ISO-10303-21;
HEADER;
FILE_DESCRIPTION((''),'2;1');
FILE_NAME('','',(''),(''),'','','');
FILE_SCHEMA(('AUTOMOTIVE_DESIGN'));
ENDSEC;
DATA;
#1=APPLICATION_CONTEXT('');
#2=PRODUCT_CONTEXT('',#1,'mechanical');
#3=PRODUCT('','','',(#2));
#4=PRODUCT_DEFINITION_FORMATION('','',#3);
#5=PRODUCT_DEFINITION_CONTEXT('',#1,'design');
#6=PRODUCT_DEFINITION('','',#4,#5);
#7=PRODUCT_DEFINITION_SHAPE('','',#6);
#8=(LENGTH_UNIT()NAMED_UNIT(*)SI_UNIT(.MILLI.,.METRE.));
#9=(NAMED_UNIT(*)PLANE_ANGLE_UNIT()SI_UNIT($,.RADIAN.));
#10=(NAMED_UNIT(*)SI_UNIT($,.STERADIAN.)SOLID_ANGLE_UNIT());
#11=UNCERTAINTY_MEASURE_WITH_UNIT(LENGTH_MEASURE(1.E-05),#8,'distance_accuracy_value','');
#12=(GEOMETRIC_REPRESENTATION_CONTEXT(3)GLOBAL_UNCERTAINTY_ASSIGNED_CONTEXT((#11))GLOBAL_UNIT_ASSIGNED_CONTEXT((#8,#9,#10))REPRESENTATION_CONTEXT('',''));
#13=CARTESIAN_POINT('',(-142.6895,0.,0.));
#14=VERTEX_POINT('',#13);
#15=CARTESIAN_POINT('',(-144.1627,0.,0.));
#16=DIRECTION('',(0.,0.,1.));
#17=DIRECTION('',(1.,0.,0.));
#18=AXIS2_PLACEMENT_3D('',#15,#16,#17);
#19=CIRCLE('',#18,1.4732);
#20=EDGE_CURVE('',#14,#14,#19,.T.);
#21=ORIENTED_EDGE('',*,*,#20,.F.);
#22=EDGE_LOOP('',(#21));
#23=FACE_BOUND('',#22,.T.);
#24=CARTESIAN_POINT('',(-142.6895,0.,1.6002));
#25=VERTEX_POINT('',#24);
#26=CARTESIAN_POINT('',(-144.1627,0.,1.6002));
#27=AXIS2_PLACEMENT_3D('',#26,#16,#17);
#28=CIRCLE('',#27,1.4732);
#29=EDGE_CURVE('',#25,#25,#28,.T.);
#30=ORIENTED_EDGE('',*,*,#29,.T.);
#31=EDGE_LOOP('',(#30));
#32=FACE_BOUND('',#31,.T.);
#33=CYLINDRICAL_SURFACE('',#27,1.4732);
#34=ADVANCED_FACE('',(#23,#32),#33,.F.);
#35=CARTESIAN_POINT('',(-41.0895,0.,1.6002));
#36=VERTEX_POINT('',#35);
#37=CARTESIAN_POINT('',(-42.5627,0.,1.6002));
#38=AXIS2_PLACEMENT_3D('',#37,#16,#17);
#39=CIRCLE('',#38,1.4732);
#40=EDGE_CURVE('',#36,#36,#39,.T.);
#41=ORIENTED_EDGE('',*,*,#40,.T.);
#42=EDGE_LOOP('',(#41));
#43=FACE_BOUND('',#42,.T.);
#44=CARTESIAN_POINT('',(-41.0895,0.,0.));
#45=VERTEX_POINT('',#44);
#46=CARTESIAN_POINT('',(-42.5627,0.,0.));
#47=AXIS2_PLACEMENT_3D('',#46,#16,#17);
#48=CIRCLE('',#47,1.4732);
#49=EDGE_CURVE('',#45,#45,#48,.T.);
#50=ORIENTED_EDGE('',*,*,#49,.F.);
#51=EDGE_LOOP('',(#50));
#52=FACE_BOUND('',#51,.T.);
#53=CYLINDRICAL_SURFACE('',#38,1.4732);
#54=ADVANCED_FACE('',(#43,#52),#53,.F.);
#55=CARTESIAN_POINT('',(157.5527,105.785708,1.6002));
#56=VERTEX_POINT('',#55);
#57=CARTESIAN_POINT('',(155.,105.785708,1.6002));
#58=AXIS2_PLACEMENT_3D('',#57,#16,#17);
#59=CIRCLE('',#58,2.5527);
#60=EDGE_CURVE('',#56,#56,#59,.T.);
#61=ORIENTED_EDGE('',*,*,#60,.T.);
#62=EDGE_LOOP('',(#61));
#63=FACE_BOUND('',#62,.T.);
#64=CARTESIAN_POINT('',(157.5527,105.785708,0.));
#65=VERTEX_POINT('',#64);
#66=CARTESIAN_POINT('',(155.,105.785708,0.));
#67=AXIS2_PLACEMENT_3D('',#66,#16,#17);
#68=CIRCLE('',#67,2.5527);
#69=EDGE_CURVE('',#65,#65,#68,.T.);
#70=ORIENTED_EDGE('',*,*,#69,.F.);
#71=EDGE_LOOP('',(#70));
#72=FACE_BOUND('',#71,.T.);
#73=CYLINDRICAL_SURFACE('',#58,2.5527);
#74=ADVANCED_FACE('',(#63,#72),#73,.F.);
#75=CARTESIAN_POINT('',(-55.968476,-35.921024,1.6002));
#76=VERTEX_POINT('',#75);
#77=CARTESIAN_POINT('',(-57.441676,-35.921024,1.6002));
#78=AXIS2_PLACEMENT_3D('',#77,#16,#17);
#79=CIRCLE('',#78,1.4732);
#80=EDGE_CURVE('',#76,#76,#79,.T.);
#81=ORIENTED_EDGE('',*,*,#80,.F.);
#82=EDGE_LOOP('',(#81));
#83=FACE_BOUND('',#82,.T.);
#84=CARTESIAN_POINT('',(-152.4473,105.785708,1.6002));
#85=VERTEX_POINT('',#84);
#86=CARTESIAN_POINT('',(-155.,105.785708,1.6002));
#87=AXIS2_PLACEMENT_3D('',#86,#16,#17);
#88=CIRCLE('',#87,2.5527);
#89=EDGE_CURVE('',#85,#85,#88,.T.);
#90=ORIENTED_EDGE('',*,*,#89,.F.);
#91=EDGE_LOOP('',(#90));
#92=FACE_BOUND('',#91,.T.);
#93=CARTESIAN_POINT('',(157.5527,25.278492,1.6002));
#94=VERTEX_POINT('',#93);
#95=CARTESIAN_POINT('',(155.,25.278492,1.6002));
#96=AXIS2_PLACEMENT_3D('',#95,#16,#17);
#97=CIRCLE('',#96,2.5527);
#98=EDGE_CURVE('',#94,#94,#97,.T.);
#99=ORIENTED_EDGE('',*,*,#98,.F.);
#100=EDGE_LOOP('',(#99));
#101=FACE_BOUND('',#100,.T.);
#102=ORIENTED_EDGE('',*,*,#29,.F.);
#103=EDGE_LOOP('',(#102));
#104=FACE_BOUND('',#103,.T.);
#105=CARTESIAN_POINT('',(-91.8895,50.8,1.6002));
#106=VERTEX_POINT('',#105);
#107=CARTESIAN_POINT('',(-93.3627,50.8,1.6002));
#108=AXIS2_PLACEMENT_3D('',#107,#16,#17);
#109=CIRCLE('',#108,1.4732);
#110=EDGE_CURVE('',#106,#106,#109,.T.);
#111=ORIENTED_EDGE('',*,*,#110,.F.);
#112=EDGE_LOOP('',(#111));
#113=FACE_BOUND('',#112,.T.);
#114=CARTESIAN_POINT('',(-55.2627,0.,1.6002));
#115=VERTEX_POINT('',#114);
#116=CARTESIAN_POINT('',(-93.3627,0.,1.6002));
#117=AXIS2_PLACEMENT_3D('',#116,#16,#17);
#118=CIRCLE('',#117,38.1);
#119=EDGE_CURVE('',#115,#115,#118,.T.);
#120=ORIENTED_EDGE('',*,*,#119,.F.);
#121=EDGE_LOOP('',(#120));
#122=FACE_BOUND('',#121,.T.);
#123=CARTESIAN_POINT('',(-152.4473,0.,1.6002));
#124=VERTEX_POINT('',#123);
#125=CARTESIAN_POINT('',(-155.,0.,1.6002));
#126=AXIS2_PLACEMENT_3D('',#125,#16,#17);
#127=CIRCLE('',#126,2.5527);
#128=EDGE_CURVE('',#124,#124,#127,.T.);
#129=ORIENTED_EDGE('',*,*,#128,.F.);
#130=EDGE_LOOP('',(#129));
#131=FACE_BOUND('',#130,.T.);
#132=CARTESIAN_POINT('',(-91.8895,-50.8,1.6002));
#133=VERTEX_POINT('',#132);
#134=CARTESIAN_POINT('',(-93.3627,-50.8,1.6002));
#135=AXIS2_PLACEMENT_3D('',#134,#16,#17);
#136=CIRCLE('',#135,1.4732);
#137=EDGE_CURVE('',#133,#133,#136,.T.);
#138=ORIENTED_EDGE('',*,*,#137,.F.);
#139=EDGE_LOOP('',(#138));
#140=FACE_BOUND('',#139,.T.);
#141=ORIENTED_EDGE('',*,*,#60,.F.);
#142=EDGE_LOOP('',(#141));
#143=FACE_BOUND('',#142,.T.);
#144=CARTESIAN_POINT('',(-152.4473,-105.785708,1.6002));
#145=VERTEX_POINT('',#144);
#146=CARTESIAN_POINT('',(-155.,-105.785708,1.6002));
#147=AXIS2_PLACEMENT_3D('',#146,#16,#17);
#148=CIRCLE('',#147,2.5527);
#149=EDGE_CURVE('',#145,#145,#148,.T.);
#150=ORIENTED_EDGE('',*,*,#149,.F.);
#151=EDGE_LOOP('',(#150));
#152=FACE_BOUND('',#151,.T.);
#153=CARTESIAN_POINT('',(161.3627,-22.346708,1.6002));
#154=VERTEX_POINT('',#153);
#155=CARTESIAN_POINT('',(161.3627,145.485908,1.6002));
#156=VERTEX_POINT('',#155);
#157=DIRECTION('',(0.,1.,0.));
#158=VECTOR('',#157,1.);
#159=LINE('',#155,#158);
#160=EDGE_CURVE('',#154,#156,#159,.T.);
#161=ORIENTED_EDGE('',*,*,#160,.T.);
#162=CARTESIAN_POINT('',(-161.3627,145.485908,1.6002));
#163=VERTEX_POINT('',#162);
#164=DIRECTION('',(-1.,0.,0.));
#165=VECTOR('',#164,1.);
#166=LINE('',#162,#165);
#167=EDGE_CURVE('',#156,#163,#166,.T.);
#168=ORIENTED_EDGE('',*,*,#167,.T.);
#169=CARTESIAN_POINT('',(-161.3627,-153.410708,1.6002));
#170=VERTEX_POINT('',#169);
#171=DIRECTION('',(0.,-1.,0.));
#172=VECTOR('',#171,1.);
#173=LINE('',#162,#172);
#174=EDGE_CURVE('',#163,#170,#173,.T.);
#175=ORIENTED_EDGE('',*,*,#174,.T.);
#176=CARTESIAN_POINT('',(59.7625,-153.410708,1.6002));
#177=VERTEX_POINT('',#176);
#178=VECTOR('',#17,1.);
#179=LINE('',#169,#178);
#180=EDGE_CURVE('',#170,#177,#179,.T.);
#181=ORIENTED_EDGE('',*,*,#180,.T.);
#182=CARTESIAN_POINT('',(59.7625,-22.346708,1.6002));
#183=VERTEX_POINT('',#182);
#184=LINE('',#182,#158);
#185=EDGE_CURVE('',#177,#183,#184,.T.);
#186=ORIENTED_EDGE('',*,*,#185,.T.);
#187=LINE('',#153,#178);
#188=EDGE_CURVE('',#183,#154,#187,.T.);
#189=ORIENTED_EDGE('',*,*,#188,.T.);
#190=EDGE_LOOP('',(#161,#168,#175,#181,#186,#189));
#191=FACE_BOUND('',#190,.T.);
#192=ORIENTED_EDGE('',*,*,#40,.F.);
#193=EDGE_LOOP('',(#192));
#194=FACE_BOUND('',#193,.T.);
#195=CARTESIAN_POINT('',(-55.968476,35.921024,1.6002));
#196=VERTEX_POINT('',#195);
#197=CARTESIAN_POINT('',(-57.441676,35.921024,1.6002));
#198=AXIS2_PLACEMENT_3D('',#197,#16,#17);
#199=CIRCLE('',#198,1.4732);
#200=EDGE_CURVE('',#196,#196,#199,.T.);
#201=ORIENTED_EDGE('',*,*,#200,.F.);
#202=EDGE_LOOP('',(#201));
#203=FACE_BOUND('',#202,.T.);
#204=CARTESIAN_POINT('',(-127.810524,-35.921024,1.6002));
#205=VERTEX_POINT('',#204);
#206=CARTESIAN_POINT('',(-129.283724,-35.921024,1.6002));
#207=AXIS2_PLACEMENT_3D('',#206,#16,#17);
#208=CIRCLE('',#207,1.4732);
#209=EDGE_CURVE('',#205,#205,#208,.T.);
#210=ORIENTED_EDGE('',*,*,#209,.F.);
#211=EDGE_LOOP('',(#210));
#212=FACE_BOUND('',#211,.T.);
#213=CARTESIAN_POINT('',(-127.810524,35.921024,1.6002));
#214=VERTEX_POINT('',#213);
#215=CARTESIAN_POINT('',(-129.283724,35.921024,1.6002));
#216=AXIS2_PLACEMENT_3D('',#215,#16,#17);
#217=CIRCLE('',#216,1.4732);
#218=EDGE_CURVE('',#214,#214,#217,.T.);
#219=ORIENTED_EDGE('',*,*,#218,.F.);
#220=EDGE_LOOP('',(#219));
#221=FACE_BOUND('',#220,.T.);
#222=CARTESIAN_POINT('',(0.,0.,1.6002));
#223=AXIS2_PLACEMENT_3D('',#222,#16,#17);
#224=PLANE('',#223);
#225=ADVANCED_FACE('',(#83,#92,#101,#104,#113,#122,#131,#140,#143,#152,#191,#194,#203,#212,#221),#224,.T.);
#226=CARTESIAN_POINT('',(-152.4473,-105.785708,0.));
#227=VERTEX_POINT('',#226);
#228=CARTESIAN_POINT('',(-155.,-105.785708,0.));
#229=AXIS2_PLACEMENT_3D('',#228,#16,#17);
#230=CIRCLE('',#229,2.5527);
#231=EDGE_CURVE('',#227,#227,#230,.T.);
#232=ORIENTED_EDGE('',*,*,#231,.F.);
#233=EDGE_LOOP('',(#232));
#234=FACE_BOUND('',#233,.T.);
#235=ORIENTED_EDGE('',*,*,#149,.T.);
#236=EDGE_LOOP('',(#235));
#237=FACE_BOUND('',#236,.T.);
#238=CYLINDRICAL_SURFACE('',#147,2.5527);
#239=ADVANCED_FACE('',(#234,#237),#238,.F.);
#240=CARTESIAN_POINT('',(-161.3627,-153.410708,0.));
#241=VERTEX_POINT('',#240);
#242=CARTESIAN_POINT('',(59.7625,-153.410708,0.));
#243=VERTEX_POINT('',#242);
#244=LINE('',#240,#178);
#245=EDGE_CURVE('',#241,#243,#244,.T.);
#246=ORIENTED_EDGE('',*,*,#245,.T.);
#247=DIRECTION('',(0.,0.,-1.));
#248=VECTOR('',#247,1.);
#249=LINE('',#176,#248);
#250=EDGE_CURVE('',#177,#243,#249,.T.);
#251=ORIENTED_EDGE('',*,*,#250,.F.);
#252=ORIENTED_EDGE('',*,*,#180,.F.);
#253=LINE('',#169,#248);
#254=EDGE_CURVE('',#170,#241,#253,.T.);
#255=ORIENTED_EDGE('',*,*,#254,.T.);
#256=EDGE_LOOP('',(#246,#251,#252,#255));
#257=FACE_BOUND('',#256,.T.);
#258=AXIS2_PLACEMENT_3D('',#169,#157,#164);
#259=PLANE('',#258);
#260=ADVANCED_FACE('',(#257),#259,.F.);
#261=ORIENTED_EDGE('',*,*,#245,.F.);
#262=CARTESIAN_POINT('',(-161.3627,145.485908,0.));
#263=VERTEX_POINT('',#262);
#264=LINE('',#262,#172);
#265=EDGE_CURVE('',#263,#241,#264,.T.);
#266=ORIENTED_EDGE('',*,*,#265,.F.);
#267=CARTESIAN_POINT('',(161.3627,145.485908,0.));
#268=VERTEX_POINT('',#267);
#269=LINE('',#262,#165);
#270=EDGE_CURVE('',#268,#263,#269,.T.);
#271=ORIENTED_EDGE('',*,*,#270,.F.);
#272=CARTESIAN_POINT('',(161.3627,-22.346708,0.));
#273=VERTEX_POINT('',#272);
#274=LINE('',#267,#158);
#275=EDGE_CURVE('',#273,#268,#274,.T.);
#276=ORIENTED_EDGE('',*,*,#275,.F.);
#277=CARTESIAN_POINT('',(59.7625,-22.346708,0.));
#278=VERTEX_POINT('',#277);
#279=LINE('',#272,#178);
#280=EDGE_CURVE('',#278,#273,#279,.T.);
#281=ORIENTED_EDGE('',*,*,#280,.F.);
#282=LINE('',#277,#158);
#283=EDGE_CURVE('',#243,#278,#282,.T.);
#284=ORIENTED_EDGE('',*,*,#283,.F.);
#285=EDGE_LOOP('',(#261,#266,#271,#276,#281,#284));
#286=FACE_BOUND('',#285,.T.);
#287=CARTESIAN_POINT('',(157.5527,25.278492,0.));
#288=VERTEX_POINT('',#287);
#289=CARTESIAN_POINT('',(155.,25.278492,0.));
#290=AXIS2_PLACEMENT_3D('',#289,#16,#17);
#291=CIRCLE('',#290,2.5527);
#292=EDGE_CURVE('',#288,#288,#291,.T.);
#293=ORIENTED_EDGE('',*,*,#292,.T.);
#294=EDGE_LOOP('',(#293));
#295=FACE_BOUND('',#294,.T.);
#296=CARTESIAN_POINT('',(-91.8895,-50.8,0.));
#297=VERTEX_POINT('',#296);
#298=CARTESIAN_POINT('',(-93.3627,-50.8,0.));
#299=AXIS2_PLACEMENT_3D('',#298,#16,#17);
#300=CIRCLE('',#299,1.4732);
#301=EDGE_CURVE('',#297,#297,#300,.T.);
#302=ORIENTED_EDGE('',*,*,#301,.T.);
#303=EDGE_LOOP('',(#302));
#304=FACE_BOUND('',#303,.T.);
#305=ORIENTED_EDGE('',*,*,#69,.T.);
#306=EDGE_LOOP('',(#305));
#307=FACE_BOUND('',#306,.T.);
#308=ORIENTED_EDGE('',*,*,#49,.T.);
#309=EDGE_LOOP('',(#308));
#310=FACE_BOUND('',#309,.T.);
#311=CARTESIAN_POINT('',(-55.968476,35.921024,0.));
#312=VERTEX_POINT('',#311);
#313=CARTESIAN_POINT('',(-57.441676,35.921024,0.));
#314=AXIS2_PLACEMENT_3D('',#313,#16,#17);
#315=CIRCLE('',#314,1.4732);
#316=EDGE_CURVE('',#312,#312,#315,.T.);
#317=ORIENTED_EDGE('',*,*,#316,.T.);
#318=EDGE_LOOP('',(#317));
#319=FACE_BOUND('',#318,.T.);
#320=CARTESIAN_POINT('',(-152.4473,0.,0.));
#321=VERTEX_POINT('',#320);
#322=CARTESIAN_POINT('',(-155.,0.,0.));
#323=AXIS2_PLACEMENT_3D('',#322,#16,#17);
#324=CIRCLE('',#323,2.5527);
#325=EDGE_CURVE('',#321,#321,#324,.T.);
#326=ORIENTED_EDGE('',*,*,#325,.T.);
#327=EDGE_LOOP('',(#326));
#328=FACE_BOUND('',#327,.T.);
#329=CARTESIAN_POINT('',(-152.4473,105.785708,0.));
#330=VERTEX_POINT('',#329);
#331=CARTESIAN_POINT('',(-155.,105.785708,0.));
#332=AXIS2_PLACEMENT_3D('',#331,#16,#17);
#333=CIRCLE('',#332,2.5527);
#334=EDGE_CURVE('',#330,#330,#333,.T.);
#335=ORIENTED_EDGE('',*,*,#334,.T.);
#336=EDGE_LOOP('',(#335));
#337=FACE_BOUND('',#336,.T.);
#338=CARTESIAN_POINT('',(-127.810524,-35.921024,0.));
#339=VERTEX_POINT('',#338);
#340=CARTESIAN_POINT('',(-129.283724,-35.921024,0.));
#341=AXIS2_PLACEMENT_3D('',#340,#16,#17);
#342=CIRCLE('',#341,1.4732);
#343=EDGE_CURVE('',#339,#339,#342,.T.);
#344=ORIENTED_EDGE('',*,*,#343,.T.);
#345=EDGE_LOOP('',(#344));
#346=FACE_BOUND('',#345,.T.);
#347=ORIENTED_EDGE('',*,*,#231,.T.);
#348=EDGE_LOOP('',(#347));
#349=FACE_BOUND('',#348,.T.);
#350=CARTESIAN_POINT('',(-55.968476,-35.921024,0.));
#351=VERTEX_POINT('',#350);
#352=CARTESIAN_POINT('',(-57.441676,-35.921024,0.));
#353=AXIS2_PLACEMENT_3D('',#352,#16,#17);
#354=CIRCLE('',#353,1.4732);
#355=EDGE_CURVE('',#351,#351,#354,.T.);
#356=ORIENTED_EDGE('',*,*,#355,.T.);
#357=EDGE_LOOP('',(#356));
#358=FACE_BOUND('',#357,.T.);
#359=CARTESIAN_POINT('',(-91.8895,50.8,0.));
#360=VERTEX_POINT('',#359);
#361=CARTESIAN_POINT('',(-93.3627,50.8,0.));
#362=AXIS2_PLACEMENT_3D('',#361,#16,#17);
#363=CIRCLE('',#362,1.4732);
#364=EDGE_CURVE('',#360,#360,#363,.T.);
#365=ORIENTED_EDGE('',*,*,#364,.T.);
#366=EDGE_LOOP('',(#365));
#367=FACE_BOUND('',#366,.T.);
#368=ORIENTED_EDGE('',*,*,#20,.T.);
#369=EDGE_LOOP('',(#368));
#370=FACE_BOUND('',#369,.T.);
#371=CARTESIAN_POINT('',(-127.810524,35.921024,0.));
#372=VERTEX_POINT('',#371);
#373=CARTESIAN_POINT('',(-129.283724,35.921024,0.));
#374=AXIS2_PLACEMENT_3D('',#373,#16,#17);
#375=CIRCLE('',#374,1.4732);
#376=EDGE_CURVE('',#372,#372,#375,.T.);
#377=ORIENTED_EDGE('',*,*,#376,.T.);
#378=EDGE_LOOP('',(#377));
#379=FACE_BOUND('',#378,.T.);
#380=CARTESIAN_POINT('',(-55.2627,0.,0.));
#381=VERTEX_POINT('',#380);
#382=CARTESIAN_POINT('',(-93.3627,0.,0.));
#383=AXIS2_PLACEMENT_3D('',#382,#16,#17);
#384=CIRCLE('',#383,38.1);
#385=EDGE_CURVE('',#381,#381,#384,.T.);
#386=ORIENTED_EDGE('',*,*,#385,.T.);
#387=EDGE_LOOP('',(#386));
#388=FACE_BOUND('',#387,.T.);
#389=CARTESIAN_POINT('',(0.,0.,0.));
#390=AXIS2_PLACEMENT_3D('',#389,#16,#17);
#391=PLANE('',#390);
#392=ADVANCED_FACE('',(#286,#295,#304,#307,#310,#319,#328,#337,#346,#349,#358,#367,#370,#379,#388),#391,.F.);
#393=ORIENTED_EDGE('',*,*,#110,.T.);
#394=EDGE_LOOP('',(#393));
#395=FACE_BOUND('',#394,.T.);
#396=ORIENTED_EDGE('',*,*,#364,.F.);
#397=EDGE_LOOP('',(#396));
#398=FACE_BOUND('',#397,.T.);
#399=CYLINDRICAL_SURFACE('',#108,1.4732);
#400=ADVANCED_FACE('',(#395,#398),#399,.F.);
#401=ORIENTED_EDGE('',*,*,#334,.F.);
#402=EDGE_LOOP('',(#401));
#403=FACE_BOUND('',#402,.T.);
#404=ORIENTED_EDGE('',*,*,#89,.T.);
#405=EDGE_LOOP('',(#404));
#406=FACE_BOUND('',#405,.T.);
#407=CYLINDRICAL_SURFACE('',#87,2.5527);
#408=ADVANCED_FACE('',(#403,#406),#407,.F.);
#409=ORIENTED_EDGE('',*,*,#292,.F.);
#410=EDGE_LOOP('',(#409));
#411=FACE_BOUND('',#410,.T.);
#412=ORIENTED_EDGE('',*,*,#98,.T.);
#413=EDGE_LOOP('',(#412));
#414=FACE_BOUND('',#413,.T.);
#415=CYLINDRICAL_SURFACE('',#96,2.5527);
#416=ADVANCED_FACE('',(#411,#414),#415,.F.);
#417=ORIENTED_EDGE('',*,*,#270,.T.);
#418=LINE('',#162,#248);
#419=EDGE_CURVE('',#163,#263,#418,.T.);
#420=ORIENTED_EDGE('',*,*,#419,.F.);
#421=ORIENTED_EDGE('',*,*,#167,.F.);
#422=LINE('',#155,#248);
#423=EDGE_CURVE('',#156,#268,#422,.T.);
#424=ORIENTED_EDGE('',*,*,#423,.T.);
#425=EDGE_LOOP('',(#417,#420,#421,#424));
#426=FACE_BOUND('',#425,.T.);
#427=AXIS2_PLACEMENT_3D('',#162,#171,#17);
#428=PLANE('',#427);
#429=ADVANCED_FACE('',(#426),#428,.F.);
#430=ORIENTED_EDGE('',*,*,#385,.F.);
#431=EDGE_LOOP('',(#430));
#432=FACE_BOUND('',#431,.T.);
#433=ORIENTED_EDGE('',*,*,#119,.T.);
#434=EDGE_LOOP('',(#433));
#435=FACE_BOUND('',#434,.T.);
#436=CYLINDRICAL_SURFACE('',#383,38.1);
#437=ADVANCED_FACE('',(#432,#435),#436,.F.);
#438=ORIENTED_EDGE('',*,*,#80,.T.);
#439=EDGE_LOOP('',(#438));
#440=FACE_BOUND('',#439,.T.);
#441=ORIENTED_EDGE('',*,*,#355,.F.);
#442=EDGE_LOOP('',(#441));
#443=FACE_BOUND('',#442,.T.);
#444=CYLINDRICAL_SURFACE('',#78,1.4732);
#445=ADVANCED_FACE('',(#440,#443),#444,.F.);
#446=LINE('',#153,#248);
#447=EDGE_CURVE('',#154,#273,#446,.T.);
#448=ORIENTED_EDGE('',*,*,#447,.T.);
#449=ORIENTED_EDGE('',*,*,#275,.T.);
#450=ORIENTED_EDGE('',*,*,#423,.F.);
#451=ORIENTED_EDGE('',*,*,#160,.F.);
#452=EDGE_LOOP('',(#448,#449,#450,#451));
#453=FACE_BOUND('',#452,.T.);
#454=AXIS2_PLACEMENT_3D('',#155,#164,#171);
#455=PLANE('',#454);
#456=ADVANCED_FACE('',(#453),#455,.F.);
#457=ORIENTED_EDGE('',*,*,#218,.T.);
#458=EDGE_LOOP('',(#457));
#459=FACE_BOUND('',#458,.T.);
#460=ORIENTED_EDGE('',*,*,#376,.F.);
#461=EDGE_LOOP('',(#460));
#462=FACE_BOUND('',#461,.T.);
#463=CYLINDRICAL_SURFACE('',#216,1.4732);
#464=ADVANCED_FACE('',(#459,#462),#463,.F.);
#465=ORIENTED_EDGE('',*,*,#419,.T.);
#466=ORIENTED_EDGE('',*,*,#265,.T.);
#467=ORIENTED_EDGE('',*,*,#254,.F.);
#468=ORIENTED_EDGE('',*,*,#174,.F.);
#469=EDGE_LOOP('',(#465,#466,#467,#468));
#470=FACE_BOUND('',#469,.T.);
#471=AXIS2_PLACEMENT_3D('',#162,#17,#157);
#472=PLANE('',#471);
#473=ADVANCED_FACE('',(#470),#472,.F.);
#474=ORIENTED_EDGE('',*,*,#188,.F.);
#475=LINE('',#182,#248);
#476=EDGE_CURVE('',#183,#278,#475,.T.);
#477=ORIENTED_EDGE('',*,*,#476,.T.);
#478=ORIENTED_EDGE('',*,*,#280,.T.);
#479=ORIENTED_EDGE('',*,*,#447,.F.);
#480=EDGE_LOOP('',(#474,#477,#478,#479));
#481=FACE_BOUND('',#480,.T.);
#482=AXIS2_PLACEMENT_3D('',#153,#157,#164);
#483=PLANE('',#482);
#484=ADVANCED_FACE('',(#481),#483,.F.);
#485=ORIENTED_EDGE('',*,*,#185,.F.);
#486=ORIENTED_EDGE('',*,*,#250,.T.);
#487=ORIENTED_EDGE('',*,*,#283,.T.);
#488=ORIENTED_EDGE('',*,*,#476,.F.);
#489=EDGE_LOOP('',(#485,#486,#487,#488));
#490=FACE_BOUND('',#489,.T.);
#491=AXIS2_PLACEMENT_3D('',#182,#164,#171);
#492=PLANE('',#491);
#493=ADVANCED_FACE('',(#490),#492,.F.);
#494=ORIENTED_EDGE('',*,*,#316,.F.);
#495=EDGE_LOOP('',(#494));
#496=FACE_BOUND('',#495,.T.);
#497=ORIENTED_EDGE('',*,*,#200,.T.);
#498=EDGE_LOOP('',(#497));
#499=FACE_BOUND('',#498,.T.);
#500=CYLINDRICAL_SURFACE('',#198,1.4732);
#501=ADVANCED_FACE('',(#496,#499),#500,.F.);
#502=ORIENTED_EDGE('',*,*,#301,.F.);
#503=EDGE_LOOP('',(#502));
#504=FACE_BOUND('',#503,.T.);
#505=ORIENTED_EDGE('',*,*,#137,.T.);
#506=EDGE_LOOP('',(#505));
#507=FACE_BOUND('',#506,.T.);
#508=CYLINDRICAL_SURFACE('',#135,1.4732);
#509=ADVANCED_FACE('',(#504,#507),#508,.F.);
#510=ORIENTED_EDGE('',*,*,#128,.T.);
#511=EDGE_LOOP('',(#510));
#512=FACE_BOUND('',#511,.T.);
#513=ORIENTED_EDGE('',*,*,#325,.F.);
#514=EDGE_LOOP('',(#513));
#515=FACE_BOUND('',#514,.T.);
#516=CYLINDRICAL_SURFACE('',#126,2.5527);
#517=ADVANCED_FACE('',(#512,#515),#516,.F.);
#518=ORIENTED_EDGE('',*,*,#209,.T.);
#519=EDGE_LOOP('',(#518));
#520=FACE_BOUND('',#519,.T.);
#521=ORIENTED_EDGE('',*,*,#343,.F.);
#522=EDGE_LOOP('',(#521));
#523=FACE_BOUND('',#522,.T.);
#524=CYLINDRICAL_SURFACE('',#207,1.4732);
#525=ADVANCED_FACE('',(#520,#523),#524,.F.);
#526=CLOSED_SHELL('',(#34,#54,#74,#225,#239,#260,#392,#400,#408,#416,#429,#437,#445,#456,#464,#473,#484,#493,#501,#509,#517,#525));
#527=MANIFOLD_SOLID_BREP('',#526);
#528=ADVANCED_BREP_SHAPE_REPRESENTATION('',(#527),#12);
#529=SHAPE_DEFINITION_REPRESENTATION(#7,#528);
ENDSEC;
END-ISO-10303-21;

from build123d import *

# Parameters (mm, degrees)
BOSS_EXTRUDE1_DEPTH        = 1.6002
SKETCH2_R                  = 38.1
CUT_EXTRUDE1_DEPTH         = 2.6002
CIRPATTERN1_COUNT          = 8
F_10_CLEARANCE_HOLE1_D     = 5.1054
F_10_CLEARANCE_HOLE1_DEPTH = 129.53
F_10_CLEARANCE_HOLE1_TIP   = 1.533816902


with BuildPart() as part:
    # Sketch1 → Boss-Extrude1 (new body)
    with BuildSketch(Plane.XY):
        Polygon((161.3627, -22.34670835), (59.7625, -22.34670835), (59.7625, -153.41070835), (-161.3627, -153.41070835), (-161.3627, 145.48590835), (161.3627, 145.48590835), align=None)
    extrude(amount=BOSS_EXTRUDE1_DEPTH)

    # Sketch2 → Cut-Extrude1 (cut, through all)
    with BuildSketch(Plane.XY.offset(1.6002)):
        with Locations((-93.3627, 0)):
            Circle(SKETCH2_R)
    extrude(amount=-CUT_EXTRUDE1_DEPTH, mode=Mode.SUBTRACT)

    # Sketch11 → #4 Clearance Hole1 (revolve, cut)
    with BuildSketch(Plane(origin=(-93.3627, 50.8, 1.6002), x_dir=(0, -1, 0), z_dir=(1, 0, 0))):
        Polygon((0, 0), (0, 173.855187864), (1.4732, 172.97), (1.4732, 0), align=None)
    f_4_clearance_hole1 = revolve(axis=Axis((-93.3627, 50.8, 7.9502), (0, 0, -1)), mode=Mode.SUBTRACT)

    # CirPattern1: #4 Clearance Hole1 ×8 about axis
    cirpattern1_axis = Axis((-93.3627, 0, 0), (0, 0, 1))
    for i in range(1, CIRPATTERN1_COUNT):
        add(f_4_clearance_hole1.rotate(cirpattern1_axis, i * 360 / CIRPATTERN1_COUNT), mode=Mode.SUBTRACT)

    # #10 Clearance Hole1
    with Locations(Plane.XY.offset(1.6002)):
        with Locations((-155, 105.78570835), (155, 105.78570835), (-155, -105.78570835), (155, 25.27849165), (-155, 0)):
            Hole(F_10_CLEARANCE_HOLE1_D / 2, depth=F_10_CLEARANCE_HOLE1_DEPTH)
            with Locations((0, 0, -(F_10_CLEARANCE_HOLE1_DEPTH + F_10_CLEARANCE_HOLE1_TIP / 2))):  # 118° drill point
                Cone(0, F_10_CLEARANCE_HOLE1_D / 2, F_10_CLEARANCE_HOLE1_TIP, mode=Mode.SUBTRACT)


solid = part.part
